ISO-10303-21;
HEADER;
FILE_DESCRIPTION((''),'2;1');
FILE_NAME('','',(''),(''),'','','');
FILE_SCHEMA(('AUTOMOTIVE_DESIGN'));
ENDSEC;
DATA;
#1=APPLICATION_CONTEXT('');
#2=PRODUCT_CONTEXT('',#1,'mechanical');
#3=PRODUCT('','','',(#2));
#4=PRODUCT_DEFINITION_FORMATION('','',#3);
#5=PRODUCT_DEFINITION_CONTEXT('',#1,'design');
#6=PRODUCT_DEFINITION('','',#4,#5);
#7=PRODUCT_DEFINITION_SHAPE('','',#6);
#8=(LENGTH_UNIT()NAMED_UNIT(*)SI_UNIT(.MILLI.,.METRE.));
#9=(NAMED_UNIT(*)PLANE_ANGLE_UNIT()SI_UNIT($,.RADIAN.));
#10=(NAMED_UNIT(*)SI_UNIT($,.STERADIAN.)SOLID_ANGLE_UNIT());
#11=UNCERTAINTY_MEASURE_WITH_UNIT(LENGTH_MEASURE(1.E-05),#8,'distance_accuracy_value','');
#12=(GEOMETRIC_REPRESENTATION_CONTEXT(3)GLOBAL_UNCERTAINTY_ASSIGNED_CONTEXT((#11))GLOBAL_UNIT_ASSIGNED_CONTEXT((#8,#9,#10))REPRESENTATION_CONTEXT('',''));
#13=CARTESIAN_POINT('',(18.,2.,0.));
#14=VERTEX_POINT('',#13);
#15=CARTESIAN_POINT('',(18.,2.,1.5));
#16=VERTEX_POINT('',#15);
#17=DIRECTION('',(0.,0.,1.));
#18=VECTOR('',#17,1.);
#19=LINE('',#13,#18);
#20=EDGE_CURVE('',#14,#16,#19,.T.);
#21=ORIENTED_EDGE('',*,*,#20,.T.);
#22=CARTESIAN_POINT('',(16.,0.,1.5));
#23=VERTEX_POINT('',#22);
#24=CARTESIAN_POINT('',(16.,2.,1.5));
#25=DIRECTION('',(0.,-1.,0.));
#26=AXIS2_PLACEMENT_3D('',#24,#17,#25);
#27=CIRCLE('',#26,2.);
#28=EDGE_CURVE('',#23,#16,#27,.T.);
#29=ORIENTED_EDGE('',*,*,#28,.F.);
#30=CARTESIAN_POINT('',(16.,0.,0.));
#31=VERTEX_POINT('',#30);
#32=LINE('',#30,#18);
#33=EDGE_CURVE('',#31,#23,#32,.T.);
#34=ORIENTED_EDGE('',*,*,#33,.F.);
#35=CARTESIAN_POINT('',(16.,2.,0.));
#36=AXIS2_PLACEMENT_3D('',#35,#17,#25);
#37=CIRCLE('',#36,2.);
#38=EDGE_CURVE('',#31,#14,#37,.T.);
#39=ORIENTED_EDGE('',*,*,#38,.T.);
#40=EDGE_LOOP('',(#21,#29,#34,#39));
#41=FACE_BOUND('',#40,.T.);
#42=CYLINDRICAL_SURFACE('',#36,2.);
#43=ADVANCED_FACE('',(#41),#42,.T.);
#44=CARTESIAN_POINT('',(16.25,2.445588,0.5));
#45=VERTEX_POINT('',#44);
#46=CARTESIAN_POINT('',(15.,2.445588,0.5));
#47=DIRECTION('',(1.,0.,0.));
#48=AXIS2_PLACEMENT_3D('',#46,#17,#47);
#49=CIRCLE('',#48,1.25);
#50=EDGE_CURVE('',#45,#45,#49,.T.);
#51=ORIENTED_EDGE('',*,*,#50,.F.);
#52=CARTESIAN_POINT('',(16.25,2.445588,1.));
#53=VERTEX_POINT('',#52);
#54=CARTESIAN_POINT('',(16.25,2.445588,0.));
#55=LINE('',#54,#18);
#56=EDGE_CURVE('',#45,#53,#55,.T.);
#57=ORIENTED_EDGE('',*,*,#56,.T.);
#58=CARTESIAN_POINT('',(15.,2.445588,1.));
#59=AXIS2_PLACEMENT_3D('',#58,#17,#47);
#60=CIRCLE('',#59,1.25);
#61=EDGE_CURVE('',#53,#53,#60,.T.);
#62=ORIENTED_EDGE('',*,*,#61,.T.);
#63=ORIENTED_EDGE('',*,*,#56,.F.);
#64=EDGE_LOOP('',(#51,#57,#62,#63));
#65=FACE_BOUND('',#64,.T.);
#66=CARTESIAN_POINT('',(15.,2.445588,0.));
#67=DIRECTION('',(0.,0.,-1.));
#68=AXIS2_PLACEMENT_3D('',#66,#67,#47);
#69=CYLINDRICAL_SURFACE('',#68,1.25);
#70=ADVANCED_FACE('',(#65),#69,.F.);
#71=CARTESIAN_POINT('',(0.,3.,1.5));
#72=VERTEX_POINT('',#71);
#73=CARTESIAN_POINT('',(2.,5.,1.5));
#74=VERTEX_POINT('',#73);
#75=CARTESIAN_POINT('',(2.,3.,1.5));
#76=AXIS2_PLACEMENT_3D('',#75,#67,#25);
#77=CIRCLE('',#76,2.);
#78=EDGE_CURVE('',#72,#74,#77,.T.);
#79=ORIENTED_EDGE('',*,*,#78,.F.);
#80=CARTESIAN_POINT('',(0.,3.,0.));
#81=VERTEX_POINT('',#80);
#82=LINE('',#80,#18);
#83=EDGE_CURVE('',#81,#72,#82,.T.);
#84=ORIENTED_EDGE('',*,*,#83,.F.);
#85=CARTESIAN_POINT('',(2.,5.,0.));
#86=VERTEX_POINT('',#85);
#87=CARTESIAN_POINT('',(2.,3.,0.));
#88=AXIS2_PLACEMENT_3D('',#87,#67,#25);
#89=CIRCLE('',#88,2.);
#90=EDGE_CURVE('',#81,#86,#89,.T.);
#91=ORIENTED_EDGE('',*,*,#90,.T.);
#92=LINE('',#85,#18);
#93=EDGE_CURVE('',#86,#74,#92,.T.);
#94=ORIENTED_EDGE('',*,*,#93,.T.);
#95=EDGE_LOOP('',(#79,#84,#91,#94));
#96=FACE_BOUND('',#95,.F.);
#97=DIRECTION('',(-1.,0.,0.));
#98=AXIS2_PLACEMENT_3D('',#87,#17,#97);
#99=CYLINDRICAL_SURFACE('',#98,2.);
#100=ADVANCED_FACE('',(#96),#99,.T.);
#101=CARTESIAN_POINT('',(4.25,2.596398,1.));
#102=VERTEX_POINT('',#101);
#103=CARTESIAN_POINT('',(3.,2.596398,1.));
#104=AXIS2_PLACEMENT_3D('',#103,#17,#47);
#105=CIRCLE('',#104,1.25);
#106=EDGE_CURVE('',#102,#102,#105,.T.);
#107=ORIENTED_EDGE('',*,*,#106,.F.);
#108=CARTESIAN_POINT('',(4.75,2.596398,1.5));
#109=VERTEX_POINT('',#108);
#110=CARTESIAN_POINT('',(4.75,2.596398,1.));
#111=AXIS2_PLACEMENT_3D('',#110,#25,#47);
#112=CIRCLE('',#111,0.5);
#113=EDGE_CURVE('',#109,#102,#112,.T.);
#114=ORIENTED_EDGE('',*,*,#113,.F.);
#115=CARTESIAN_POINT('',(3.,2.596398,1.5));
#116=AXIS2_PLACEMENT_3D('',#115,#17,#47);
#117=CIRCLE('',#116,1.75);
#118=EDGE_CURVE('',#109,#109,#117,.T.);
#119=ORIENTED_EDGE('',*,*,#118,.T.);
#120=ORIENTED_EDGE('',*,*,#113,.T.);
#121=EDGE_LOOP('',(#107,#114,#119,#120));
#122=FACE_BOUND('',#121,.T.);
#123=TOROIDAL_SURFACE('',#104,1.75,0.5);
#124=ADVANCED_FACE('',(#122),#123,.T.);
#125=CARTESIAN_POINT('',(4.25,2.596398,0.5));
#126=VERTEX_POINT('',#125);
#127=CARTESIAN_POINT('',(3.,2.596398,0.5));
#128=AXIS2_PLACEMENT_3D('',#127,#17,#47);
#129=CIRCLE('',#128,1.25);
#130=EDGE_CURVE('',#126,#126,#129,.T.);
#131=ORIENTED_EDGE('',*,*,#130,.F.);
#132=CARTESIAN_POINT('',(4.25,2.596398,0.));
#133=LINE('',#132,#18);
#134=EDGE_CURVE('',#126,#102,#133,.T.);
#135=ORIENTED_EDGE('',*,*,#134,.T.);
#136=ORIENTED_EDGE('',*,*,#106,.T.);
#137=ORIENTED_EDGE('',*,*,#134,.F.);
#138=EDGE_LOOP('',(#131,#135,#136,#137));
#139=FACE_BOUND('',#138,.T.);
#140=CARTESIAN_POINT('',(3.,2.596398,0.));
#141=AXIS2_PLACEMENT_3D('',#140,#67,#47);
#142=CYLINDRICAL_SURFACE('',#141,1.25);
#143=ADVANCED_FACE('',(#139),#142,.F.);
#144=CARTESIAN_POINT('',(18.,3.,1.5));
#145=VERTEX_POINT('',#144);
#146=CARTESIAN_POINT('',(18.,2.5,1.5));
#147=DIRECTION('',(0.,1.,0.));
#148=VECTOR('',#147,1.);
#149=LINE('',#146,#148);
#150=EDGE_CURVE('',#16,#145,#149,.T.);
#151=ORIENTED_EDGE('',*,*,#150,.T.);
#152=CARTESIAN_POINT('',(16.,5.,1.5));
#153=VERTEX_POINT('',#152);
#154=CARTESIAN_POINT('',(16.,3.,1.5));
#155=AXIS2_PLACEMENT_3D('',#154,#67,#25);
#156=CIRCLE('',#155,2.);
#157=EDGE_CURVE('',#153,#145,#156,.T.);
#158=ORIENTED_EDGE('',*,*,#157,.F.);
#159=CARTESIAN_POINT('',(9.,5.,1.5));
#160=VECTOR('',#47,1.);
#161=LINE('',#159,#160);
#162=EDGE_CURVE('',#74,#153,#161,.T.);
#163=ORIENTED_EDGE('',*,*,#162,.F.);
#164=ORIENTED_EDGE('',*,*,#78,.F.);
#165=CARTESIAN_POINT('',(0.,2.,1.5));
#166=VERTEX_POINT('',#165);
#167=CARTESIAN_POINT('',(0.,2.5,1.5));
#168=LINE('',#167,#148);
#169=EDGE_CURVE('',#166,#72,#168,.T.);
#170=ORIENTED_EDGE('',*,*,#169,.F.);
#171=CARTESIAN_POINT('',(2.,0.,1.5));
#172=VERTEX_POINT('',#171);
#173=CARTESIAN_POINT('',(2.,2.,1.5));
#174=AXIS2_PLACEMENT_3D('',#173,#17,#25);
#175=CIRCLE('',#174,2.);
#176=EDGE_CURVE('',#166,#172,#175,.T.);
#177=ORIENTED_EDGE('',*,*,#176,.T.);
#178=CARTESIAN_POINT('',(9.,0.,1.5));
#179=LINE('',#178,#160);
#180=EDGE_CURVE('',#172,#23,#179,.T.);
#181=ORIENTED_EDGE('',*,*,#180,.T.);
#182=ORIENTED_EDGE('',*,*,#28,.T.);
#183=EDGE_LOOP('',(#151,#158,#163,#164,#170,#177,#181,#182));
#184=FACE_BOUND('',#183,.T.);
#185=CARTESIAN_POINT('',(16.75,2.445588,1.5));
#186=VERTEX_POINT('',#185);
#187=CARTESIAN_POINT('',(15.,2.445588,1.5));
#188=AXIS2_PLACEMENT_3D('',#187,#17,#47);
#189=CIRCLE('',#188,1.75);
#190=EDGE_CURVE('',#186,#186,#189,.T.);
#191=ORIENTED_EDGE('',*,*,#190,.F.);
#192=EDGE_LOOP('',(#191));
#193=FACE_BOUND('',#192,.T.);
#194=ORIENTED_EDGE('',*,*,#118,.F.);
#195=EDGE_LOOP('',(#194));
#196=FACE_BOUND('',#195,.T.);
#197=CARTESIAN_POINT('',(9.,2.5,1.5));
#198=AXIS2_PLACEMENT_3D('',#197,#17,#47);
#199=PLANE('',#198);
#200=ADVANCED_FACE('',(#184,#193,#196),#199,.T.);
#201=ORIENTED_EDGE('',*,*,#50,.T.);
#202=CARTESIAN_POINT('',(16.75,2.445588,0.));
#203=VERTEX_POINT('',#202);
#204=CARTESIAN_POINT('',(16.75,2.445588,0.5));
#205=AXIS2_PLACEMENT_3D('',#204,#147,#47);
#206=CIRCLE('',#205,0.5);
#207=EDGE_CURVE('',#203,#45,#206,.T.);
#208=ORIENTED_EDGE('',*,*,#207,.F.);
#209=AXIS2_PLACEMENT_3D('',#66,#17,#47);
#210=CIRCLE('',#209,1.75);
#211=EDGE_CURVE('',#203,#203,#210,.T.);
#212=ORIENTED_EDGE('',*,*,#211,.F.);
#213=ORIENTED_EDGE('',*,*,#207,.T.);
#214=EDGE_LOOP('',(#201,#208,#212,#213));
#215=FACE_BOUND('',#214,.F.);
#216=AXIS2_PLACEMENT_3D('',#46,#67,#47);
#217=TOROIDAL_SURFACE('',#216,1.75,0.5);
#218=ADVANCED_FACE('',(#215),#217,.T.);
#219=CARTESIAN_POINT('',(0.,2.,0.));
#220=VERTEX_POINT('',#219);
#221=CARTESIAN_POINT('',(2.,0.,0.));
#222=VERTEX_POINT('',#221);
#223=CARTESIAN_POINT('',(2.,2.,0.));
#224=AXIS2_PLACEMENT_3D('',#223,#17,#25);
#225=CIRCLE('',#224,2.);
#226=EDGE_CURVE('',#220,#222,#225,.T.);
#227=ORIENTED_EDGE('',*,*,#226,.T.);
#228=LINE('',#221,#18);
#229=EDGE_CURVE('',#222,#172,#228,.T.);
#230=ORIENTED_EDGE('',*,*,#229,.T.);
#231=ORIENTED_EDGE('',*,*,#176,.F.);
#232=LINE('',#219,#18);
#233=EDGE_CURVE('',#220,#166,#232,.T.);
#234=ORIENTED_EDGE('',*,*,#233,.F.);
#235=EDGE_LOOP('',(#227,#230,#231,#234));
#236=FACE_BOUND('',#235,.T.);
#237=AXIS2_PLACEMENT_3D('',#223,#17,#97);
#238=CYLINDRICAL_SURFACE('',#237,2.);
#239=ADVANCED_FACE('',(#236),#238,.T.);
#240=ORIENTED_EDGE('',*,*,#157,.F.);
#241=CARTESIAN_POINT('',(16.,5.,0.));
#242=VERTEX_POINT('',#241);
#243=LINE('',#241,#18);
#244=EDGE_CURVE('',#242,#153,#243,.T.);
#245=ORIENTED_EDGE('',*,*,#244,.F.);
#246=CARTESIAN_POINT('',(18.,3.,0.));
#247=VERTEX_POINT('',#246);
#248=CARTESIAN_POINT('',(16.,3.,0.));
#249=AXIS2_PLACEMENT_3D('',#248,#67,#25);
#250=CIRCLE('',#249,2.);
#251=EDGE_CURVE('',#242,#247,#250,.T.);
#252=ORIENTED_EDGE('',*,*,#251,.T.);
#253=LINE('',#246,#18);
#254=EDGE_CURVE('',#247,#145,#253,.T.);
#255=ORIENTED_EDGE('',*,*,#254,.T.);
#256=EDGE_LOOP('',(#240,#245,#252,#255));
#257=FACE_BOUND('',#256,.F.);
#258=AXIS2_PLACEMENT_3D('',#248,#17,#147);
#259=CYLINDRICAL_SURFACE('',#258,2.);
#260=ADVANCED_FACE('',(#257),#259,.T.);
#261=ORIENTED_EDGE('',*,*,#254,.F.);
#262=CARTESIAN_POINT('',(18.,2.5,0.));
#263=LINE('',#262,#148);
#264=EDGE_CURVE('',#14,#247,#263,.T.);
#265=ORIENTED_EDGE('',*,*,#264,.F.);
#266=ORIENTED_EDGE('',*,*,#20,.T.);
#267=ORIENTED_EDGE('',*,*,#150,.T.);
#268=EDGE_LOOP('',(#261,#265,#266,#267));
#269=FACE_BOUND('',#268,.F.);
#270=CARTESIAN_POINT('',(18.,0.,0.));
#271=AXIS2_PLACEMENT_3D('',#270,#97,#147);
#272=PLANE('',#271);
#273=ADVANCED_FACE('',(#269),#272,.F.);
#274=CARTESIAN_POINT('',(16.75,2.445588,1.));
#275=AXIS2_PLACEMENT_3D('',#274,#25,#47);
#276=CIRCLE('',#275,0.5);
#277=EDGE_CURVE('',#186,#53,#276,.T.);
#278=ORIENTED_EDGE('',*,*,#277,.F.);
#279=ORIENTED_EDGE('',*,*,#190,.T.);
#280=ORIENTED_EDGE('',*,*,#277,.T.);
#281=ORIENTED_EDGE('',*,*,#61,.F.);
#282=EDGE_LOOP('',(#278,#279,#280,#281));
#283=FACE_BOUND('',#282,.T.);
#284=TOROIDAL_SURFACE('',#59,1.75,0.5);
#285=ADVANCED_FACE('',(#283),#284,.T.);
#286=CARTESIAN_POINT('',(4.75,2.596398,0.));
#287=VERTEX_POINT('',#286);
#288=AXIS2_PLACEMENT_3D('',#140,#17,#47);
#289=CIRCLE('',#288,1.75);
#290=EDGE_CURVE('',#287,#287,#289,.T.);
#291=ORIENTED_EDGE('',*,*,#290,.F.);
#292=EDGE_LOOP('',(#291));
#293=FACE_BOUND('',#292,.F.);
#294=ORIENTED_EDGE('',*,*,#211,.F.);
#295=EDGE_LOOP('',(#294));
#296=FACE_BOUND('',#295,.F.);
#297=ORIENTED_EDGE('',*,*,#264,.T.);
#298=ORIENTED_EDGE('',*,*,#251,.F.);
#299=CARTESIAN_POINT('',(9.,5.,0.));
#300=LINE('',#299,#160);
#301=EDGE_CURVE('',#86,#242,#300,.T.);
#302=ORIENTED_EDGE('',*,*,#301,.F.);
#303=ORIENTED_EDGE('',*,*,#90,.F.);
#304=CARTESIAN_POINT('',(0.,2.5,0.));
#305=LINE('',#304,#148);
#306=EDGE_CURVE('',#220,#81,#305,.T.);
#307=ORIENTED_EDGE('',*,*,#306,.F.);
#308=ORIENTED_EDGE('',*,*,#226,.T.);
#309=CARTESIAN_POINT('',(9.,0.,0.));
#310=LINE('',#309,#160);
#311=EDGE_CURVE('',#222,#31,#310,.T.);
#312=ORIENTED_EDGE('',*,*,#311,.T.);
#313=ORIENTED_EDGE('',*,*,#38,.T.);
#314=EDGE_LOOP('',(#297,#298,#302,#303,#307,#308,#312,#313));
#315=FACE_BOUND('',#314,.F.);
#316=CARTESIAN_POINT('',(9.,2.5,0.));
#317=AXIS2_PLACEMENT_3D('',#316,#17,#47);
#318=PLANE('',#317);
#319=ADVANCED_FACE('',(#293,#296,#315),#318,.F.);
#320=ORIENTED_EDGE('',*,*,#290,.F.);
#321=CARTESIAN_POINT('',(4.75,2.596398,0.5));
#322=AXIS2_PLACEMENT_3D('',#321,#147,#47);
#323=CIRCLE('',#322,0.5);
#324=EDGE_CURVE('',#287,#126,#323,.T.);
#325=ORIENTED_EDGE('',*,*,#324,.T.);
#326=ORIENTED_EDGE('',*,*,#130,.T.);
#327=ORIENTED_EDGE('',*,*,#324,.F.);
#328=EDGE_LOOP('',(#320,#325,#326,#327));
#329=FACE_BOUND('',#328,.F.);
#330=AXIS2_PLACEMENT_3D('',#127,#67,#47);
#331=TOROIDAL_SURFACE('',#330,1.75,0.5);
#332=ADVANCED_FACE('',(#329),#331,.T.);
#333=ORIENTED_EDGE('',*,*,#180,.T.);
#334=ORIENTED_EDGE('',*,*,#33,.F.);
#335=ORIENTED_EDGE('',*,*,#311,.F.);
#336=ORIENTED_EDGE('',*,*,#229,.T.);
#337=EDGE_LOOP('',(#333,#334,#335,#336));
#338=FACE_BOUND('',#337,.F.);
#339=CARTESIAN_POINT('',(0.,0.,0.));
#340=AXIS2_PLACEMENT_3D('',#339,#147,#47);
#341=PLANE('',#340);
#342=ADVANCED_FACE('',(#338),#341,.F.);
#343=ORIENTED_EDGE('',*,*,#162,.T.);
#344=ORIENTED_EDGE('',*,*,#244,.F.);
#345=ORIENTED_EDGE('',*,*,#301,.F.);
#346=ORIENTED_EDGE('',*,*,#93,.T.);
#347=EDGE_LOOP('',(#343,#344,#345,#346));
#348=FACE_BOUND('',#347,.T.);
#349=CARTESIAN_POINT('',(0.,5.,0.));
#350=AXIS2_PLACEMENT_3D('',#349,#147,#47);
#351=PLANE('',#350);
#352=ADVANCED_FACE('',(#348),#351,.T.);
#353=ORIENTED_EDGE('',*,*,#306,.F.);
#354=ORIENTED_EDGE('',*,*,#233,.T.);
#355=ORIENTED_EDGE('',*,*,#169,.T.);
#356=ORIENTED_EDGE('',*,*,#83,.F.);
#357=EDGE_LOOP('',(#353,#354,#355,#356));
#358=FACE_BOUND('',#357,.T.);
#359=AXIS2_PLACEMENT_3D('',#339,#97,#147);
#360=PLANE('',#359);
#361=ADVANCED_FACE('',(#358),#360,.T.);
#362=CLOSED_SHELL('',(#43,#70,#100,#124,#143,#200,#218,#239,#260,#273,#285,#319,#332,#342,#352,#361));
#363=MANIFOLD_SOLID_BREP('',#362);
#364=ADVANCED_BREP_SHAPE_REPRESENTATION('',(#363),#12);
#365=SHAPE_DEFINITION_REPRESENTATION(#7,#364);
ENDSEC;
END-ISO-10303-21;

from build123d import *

# Parameters (mm, degrees)
F1_W     = 18
F1_H     = 5
F1_R     = 1.25
F2_DEPTH = 1.5
F3_R     = 2
F4_R     = 0.5


with BuildPart() as f2:
    # F1 (on face) → F2 (new body)
    with BuildSketch(Plane.XY):
        with Locations((9, 2.5)):
            Rectangle(F1_W, F1_H)
        with Locations((15, 2.445588)):
            Circle(F1_R, mode=Mode.SUBTRACT)
        with Locations((3, 2.596398)):
            Circle(F1_R, mode=Mode.SUBTRACT)
    extrude(amount=F2_DEPTH)

    # F3
    f3_edges = [f2.edges().sort_by_distance(p)[0] for p in [
        (0, 5, 0.75),
        (0, 0, 0.75),
        (18, 0, 0.75),
        (18, 5, 0.75),
    ]]
    fillet(f3_edges, radius=F3_R)

    # F4
    f4_edges = [f2.edges().sort_by_distance(p)[0] for p in [
        (1.75, 2.596398, 1.5),
        (16.25, 2.445588, 0.75),
        (13.75, 2.445588, 0),
        (13.75, 2.445588, 1.5),
        (1.75, 2.596398, 0),
    ]]
    fillet(f4_edges, radius=F4_R)


solid = f2.part
